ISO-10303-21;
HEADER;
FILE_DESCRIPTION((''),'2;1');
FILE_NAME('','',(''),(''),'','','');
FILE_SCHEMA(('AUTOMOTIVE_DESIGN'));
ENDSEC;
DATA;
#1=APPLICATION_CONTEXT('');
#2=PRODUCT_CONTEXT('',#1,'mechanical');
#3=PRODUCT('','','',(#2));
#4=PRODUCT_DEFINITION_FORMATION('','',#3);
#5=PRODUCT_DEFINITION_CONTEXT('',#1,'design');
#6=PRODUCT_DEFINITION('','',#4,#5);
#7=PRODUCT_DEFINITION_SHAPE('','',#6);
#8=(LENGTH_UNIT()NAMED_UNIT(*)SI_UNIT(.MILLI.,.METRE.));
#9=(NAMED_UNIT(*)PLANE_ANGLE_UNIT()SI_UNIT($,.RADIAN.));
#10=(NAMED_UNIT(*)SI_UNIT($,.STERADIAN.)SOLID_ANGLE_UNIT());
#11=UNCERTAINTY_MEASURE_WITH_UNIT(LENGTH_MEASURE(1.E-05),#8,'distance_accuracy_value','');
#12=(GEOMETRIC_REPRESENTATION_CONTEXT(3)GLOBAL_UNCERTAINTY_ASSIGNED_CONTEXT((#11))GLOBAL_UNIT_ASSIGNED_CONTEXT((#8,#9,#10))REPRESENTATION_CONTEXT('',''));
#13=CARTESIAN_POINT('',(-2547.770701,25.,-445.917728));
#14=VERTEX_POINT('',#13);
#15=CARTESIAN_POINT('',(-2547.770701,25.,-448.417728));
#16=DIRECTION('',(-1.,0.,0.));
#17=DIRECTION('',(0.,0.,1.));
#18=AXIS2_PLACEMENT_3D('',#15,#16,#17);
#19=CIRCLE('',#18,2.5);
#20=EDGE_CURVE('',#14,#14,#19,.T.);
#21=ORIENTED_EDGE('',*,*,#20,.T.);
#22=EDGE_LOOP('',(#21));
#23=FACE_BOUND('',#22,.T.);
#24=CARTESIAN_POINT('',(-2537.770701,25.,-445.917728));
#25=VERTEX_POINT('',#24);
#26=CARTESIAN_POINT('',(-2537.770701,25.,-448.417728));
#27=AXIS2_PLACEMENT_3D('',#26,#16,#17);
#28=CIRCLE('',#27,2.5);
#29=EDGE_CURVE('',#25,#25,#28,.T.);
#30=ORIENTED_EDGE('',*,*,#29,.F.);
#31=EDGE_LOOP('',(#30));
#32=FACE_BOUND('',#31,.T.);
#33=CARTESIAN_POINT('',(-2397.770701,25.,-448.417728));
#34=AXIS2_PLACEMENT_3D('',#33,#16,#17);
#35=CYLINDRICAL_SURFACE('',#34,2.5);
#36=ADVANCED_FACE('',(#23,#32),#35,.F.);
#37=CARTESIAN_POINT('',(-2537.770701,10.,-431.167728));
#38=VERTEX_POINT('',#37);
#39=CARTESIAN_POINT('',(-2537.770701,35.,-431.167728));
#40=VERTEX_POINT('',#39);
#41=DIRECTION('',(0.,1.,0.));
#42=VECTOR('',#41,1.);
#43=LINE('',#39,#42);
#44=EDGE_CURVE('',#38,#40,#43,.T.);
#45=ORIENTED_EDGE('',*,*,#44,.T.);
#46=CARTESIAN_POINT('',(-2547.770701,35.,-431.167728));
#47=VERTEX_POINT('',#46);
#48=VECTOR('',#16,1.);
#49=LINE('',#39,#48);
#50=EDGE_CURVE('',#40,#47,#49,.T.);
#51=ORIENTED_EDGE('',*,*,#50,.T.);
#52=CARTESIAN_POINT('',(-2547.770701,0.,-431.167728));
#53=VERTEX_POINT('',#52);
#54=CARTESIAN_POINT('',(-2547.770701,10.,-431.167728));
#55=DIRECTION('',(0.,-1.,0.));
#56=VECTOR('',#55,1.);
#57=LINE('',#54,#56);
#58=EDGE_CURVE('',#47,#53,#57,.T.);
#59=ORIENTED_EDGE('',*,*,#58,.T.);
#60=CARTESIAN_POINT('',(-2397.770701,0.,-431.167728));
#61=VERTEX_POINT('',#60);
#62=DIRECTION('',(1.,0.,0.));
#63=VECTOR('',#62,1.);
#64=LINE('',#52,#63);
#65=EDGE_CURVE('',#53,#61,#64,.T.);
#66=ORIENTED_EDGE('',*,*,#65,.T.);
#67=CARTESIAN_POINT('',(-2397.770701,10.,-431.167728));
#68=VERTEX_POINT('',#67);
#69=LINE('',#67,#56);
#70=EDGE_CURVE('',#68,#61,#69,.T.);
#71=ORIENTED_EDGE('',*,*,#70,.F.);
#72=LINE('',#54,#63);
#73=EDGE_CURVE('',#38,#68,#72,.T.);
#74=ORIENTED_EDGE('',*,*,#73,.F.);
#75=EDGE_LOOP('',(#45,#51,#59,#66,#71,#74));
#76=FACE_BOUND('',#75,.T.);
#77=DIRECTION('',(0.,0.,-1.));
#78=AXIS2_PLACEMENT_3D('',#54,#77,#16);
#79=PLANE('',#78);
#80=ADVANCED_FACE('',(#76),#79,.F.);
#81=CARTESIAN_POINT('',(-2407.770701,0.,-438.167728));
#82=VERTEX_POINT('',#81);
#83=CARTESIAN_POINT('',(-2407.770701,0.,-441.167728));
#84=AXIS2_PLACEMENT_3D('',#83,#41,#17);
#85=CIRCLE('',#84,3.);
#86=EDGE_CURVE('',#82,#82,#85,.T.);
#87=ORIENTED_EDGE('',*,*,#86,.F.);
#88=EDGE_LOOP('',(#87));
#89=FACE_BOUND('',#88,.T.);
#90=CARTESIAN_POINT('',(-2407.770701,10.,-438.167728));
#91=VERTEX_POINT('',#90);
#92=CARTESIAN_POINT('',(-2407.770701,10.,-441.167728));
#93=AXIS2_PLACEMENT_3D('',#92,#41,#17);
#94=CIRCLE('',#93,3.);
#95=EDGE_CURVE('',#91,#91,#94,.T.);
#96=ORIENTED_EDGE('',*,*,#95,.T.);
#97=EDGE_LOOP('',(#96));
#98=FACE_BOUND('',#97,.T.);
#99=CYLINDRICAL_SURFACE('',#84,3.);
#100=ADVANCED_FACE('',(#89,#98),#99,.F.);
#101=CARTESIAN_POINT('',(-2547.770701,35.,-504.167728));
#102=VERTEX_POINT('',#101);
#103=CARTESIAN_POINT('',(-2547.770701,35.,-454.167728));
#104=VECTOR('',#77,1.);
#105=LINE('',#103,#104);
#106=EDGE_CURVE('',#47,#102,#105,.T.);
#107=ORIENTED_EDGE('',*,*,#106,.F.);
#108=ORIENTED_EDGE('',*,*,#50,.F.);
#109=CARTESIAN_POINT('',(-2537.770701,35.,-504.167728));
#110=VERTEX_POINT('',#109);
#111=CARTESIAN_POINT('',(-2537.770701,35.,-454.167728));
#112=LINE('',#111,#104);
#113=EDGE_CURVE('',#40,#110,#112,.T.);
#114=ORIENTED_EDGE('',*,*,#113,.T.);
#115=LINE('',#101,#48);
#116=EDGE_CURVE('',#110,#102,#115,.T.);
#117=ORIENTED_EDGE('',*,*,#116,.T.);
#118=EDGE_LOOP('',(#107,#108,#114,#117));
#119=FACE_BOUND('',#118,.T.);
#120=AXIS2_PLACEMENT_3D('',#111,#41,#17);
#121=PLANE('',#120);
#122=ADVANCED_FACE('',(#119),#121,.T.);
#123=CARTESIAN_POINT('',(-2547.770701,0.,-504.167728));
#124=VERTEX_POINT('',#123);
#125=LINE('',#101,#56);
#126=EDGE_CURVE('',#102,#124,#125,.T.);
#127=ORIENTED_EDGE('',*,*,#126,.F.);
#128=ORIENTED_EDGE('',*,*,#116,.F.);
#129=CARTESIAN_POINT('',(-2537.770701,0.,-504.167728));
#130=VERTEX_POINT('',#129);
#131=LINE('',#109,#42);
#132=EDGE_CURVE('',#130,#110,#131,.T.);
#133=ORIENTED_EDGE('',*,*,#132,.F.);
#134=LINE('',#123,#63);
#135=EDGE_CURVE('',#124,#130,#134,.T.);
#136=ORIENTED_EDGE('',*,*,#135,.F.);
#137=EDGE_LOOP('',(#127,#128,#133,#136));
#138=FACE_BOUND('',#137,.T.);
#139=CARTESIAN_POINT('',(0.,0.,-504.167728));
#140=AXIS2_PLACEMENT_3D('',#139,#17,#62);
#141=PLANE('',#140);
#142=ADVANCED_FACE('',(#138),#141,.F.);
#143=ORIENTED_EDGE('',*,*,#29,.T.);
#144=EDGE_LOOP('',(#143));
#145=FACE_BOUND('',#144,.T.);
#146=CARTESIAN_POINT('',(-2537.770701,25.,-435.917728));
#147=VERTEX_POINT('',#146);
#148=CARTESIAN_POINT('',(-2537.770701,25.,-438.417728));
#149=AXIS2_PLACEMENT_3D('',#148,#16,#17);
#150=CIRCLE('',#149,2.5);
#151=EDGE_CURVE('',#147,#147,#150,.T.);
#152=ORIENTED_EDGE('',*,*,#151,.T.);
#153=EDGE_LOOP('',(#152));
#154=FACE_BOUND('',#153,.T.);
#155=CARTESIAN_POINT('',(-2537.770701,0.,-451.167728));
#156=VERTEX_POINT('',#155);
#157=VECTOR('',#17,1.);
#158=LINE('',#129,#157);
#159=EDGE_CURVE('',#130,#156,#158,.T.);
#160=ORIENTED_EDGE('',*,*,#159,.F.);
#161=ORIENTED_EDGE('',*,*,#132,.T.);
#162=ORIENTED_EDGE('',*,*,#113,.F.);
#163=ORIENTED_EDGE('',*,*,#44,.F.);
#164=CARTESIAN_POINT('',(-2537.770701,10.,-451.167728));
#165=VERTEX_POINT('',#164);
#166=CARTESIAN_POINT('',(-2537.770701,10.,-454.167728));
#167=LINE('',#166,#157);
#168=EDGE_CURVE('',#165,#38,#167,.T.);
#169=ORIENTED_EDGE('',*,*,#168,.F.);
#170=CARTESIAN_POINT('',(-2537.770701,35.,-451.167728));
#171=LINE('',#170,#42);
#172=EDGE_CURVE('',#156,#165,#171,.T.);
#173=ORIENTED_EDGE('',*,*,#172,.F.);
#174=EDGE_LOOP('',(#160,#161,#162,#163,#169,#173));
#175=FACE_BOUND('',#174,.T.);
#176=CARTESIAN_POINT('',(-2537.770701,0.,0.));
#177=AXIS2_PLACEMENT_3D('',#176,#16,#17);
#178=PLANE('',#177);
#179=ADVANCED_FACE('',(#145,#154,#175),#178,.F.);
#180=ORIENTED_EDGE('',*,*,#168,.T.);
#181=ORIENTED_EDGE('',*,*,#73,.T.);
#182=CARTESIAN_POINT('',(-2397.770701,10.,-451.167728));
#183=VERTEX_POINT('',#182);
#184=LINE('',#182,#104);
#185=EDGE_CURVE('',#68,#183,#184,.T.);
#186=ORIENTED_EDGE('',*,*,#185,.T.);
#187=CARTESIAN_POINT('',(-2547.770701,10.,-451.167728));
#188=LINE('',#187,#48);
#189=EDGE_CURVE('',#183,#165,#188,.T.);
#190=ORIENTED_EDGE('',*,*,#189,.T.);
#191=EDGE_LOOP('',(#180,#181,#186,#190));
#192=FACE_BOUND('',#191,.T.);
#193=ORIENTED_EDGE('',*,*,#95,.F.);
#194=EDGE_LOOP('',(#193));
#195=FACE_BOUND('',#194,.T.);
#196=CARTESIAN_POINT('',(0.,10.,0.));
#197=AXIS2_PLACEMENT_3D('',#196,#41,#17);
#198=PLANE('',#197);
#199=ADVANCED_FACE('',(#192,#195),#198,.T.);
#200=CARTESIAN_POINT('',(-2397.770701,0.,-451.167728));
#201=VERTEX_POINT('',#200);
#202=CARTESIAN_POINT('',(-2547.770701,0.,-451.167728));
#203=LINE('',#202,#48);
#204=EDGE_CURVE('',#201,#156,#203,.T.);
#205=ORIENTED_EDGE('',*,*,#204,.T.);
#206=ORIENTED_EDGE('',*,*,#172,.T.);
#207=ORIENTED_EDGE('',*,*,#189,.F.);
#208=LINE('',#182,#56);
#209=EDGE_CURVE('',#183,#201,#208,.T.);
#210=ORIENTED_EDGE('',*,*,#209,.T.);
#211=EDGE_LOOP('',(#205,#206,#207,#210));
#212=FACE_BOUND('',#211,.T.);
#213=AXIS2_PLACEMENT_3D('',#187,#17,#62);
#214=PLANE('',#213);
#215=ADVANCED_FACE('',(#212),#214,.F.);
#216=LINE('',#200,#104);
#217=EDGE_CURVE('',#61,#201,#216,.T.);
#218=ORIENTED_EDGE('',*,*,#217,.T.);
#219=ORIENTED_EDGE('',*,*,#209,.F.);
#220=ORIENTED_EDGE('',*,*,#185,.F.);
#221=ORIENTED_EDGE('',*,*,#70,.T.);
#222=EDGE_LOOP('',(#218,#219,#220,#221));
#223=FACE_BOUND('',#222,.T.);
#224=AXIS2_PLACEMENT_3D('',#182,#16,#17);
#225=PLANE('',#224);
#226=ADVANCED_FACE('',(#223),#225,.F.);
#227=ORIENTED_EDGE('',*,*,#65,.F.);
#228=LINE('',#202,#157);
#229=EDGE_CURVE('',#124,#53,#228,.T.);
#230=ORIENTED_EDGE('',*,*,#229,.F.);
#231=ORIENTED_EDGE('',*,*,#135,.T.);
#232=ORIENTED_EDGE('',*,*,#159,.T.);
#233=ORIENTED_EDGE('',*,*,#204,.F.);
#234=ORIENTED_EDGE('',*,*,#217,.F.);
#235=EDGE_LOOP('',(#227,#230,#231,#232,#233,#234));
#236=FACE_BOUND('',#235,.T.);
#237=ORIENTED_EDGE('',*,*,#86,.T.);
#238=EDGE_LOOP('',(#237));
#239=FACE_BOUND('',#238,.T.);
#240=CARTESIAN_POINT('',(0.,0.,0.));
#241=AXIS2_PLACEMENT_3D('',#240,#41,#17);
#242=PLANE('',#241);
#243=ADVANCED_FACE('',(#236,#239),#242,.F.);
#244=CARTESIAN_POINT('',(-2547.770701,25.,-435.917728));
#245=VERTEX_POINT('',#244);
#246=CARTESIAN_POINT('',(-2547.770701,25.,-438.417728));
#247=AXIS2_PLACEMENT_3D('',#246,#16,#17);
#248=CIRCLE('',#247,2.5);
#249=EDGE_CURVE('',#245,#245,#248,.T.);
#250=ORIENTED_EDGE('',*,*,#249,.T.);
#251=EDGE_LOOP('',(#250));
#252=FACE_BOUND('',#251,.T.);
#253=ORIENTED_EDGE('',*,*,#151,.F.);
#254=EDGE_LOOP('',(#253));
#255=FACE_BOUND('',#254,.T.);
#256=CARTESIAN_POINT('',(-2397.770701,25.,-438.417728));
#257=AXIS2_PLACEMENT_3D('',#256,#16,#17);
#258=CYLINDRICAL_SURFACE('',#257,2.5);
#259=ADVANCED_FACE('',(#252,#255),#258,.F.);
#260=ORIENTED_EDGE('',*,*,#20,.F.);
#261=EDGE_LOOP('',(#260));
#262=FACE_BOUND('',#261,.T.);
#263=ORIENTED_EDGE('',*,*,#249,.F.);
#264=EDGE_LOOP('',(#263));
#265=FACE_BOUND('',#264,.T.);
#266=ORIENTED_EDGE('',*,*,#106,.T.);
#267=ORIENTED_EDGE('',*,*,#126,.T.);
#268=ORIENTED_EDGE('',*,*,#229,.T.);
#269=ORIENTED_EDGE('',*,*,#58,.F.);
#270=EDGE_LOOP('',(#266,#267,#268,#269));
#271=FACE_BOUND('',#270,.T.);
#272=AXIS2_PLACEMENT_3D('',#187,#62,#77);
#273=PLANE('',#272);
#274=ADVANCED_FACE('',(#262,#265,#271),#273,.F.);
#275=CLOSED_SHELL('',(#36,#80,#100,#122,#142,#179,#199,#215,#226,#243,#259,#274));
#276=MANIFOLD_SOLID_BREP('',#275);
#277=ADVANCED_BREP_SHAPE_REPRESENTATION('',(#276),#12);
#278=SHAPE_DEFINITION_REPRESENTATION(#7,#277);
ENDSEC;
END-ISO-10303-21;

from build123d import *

# Parameters (mm, degrees)
SKETCH1_W           = 150
SKETCH1_H           = 20
BOSS_EXTRUDE1_DEPTH = 10
SKETCH2_R           = 3
CUT_EXTRUDE1_DEPTH  = 10
SKETCH3_W           = 23
SKETCH3_H           = 25
BOSS_EXTRUDE2_DEPTH = 10
SKETCH4_R           = 2.5
CUT_EXTRUDE2_DEPTH  = 480.576193501
BOSS_EXTRUDE4_START = -20
SKETCH5_W           = 10
SKETCH5_H           = 35
BOSS_EXTRUDE4_DEPTH = 53


with BuildPart() as part:
    # Sketch1 → Boss-Extrude1 (new body)
    with BuildSketch(Plane(origin=(0, 0, 0), x_dir=(1, 0, 0), z_dir=(0, 1, 0))):
        with Locations((-2472.770700637, 441.167728238)):
            Rectangle(SKETCH1_W, SKETCH1_H)
    extrude(amount=BOSS_EXTRUDE1_DEPTH)

    # Sketch2 → Cut-Extrude1 (cut)
    with BuildSketch(Plane(origin=(0, 10, 0), x_dir=(1, 0, 0), z_dir=(0, 1, 0))):
        with Locations(Location((-2407.770700637, 441.167728238, 0), (0, 0, 270))):
            Circle(SKETCH2_R)
    extrude(amount=-CUT_EXTRUDE1_DEPTH, mode=Mode.SUBTRACT)

    # Sketch3 → Boss-Extrude2 (add)
    with BuildSketch(Plane.ZY.offset(2547.770700637)):
        with Locations((-442.667728238, 22.5)):
            Rectangle(SKETCH3_W, SKETCH3_H)
    extrude(amount=-BOSS_EXTRUDE2_DEPTH)

    # Sketch4 → Cut-Extrude2 (cut, through all)
    with BuildSketch(Plane.ZY.offset(2547.770700637)):
        with Locations((-448.417728238, 25)):
            Circle(SKETCH4_R)
        with Locations((-438.417728238, 25)):
            Circle(SKETCH4_R)
    extrude(amount=-CUT_EXTRUDE2_DEPTH, mode=Mode.SUBTRACT)

    # Sketch5 → Boss-Extrude4 (add)
    with BuildSketch(Plane.XY.offset(-431.167728238).offset(BOSS_EXTRUDE4_START)):
        with Locations((-2542.770700637, 17.5)):
            Rectangle(SKETCH5_W, SKETCH5_H)
    extrude(amount=-BOSS_EXTRUDE4_DEPTH)


solid = part.part
